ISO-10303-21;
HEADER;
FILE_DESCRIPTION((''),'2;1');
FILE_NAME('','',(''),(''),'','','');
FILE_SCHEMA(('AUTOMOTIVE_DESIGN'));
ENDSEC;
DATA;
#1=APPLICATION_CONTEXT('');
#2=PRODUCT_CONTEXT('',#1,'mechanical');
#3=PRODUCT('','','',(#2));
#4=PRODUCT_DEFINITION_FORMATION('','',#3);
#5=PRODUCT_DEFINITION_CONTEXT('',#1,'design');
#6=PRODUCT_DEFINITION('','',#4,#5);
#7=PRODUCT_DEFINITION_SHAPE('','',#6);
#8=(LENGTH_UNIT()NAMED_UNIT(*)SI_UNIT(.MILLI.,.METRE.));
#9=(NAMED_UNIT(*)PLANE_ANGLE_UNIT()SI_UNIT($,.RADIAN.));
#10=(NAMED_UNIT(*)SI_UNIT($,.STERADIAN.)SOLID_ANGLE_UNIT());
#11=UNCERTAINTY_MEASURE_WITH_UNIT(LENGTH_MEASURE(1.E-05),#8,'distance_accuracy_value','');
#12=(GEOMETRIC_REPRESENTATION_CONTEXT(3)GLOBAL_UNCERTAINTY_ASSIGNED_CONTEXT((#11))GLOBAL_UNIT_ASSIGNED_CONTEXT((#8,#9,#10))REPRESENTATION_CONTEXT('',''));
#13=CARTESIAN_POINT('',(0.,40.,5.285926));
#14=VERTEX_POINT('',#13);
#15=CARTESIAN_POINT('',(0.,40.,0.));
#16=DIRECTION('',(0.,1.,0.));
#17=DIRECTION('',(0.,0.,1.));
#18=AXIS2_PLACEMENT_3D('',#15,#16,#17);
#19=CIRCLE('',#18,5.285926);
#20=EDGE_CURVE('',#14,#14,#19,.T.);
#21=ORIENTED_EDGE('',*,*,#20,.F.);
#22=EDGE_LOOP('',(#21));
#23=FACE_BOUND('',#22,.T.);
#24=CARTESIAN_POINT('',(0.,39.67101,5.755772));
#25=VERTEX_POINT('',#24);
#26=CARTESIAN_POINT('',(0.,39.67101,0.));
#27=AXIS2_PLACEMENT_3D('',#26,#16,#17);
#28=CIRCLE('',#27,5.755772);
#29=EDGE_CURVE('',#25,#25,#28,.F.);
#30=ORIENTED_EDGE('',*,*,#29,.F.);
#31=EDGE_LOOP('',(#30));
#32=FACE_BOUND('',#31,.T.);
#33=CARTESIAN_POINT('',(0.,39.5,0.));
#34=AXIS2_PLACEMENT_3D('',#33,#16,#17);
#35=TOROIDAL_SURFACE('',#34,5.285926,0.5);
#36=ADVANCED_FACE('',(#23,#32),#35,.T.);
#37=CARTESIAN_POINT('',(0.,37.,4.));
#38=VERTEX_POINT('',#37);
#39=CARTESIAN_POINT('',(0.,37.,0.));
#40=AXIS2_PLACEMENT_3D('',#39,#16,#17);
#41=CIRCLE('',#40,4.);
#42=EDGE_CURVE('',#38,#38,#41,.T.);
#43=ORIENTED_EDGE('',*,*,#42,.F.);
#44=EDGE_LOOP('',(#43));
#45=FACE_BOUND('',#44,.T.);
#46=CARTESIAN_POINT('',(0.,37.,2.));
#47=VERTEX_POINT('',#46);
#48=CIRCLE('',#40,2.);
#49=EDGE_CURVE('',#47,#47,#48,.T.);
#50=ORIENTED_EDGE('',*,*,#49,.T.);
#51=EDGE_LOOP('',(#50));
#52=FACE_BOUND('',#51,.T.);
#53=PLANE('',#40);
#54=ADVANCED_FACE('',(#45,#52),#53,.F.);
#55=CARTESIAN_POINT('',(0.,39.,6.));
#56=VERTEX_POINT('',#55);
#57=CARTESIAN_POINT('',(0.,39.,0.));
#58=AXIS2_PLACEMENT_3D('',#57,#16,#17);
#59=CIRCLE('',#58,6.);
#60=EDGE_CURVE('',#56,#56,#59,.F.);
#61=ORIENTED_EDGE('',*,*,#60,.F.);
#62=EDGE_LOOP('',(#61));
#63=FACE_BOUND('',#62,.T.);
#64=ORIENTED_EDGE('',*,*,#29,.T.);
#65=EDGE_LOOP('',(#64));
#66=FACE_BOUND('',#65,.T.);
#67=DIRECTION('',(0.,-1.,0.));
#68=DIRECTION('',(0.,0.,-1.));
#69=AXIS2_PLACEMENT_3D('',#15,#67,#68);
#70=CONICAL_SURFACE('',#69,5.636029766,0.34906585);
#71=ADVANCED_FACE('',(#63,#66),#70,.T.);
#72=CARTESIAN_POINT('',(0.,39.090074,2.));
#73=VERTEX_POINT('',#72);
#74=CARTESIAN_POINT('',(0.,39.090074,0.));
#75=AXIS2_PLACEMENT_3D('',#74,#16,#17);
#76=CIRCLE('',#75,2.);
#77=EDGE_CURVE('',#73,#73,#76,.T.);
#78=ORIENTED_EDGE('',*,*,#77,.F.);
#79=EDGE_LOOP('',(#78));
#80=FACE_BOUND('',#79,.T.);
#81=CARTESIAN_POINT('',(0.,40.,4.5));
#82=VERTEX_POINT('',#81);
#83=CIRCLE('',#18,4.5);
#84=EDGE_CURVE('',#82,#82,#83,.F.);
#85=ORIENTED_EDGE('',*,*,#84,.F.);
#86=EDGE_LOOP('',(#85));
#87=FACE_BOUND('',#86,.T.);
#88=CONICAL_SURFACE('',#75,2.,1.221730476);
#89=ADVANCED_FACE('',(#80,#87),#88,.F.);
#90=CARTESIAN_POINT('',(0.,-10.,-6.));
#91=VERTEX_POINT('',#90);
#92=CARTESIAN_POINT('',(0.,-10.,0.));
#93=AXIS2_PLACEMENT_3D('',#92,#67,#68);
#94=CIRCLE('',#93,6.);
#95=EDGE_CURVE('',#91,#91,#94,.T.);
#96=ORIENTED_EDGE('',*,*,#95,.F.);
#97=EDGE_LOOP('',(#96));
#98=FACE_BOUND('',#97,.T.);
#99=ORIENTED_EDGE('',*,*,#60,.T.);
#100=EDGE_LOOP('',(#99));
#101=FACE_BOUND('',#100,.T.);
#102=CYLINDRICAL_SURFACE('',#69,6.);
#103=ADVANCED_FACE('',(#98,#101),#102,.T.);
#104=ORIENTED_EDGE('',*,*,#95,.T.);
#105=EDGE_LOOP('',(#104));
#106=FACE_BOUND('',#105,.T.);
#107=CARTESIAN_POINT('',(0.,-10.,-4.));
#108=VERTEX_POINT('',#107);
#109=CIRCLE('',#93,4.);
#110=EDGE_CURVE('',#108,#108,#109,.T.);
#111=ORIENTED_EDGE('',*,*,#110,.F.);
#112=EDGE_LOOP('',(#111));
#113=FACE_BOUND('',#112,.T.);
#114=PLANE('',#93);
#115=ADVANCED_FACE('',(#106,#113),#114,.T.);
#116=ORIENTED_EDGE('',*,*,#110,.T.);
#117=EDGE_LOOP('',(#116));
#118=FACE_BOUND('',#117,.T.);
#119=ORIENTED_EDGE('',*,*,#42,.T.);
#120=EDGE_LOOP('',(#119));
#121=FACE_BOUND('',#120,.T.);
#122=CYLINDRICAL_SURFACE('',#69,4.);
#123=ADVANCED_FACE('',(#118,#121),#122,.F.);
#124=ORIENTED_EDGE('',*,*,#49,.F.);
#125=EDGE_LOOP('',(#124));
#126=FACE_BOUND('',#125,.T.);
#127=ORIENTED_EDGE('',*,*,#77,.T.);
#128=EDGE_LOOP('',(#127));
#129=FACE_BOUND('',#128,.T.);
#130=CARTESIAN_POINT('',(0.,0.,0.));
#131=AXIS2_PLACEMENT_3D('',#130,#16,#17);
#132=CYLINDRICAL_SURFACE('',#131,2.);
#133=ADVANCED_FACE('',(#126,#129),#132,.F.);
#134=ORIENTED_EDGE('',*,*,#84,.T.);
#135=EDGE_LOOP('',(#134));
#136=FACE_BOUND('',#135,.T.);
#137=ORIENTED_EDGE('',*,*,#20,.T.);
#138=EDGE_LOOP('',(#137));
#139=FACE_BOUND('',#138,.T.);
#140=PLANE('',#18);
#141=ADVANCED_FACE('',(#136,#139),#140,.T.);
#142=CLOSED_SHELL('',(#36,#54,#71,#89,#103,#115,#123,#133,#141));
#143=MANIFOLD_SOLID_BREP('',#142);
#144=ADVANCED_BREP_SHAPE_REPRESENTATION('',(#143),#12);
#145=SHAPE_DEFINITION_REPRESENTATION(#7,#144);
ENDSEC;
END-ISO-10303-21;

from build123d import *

# Parameters (mm, degrees)
CROQUIS1_R              = 6
CROQUIS1_R_2            = 4
SALIENTE_EXTRUIR1_DEPTH = 40
CROQUIS2_R              = 4
SALIENTE_EXTRUIR2_DEPTH = 3
CROQUIS3_R              = 2
CORTAR_EXTRUIR1_DEPTH   = 40
CHAFL_N1_SIZE           = 2.5
CHAFL_N1_SIZE2          = 0.909925586
CHAFL_N2_SIZE           = 1
CHAFL_N2_SIZE2          = 0.363970234
REDONDEO1_R             = 0.5
CROQUIS4_R              = 6
CROQUIS4_R_2            = 4
SALIENTE_EXTRUIR3_DEPTH = 10


with BuildPart() as part:
    # Croquis1 → Saliente-Extruir1 (new body)
    with BuildSketch(Plane(origin=(0, 0, 0), x_dir=(1, 0, 0), z_dir=(0, 1, 0))):
        Circle(CROQUIS1_R)
        Circle(CROQUIS1_R_2, mode=Mode.SUBTRACT)
    extrude(amount=SALIENTE_EXTRUIR1_DEPTH)

    # Croquis2 → Saliente-Extruir2 (add)
    with BuildSketch(Plane(origin=(0, 37, 0), x_dir=(1, 0, 0), z_dir=(0, 1, 0))):
        Circle(CROQUIS2_R)
    extrude(amount=SALIENTE_EXTRUIR2_DEPTH)

    # Croquis3 → Cortar-Extruir1 (cut)
    with BuildSketch(Plane(origin=(0, 40, 0), x_dir=(1, 0, 0), z_dir=(0, 1, 0))):
        Circle(CROQUIS3_R)
    extrude(amount=-CORTAR_EXTRUIR1_DEPTH, mode=Mode.SUBTRACT)

    # Chaflán1
    chafl_n1_edges = [part.edges().sort_by_distance(p)[0] for p in [
        (-2, 40, 0),
    ]]
    chafl_n1_side = [part.faces().sort_by_distance(p)[0] for p in [
        (-5.830294373, 40, 0),
    ]]
    chamfer(chafl_n1_edges, length=CHAFL_N1_SIZE, length2=CHAFL_N1_SIZE2, reference=chafl_n1_side[0])

    # Chaflán2
    chafl_n2_edges = [part.edges().sort_by_distance(p)[0] for p in [
        (-6, 40, 0),
    ]]
    chafl_n2_side = [part.faces().sort_by_distance(p)[0] for p in [
        (-6, 20, 0),
    ]]
    chamfer(chafl_n2_edges, length=CHAFL_N2_SIZE, length2=CHAFL_N2_SIZE2, reference=chafl_n2_side[0])

    # Redondeo1
    redondeo1_edges = [part.edges().sort_by_distance(p)[0] for p in [
        (-5.636029766, 40, 0),
    ]]
    fillet(redondeo1_edges, radius=REDONDEO1_R)

    # Croquis4 → Saliente-Extruir3 (add)
    with BuildSketch(Plane.XZ):
        Circle(CROQUIS4_R)
        Circle(CROQUIS4_R_2, mode=Mode.SUBTRACT)
    extrude(amount=SALIENTE_EXTRUIR3_DEPTH)


solid = part.part
